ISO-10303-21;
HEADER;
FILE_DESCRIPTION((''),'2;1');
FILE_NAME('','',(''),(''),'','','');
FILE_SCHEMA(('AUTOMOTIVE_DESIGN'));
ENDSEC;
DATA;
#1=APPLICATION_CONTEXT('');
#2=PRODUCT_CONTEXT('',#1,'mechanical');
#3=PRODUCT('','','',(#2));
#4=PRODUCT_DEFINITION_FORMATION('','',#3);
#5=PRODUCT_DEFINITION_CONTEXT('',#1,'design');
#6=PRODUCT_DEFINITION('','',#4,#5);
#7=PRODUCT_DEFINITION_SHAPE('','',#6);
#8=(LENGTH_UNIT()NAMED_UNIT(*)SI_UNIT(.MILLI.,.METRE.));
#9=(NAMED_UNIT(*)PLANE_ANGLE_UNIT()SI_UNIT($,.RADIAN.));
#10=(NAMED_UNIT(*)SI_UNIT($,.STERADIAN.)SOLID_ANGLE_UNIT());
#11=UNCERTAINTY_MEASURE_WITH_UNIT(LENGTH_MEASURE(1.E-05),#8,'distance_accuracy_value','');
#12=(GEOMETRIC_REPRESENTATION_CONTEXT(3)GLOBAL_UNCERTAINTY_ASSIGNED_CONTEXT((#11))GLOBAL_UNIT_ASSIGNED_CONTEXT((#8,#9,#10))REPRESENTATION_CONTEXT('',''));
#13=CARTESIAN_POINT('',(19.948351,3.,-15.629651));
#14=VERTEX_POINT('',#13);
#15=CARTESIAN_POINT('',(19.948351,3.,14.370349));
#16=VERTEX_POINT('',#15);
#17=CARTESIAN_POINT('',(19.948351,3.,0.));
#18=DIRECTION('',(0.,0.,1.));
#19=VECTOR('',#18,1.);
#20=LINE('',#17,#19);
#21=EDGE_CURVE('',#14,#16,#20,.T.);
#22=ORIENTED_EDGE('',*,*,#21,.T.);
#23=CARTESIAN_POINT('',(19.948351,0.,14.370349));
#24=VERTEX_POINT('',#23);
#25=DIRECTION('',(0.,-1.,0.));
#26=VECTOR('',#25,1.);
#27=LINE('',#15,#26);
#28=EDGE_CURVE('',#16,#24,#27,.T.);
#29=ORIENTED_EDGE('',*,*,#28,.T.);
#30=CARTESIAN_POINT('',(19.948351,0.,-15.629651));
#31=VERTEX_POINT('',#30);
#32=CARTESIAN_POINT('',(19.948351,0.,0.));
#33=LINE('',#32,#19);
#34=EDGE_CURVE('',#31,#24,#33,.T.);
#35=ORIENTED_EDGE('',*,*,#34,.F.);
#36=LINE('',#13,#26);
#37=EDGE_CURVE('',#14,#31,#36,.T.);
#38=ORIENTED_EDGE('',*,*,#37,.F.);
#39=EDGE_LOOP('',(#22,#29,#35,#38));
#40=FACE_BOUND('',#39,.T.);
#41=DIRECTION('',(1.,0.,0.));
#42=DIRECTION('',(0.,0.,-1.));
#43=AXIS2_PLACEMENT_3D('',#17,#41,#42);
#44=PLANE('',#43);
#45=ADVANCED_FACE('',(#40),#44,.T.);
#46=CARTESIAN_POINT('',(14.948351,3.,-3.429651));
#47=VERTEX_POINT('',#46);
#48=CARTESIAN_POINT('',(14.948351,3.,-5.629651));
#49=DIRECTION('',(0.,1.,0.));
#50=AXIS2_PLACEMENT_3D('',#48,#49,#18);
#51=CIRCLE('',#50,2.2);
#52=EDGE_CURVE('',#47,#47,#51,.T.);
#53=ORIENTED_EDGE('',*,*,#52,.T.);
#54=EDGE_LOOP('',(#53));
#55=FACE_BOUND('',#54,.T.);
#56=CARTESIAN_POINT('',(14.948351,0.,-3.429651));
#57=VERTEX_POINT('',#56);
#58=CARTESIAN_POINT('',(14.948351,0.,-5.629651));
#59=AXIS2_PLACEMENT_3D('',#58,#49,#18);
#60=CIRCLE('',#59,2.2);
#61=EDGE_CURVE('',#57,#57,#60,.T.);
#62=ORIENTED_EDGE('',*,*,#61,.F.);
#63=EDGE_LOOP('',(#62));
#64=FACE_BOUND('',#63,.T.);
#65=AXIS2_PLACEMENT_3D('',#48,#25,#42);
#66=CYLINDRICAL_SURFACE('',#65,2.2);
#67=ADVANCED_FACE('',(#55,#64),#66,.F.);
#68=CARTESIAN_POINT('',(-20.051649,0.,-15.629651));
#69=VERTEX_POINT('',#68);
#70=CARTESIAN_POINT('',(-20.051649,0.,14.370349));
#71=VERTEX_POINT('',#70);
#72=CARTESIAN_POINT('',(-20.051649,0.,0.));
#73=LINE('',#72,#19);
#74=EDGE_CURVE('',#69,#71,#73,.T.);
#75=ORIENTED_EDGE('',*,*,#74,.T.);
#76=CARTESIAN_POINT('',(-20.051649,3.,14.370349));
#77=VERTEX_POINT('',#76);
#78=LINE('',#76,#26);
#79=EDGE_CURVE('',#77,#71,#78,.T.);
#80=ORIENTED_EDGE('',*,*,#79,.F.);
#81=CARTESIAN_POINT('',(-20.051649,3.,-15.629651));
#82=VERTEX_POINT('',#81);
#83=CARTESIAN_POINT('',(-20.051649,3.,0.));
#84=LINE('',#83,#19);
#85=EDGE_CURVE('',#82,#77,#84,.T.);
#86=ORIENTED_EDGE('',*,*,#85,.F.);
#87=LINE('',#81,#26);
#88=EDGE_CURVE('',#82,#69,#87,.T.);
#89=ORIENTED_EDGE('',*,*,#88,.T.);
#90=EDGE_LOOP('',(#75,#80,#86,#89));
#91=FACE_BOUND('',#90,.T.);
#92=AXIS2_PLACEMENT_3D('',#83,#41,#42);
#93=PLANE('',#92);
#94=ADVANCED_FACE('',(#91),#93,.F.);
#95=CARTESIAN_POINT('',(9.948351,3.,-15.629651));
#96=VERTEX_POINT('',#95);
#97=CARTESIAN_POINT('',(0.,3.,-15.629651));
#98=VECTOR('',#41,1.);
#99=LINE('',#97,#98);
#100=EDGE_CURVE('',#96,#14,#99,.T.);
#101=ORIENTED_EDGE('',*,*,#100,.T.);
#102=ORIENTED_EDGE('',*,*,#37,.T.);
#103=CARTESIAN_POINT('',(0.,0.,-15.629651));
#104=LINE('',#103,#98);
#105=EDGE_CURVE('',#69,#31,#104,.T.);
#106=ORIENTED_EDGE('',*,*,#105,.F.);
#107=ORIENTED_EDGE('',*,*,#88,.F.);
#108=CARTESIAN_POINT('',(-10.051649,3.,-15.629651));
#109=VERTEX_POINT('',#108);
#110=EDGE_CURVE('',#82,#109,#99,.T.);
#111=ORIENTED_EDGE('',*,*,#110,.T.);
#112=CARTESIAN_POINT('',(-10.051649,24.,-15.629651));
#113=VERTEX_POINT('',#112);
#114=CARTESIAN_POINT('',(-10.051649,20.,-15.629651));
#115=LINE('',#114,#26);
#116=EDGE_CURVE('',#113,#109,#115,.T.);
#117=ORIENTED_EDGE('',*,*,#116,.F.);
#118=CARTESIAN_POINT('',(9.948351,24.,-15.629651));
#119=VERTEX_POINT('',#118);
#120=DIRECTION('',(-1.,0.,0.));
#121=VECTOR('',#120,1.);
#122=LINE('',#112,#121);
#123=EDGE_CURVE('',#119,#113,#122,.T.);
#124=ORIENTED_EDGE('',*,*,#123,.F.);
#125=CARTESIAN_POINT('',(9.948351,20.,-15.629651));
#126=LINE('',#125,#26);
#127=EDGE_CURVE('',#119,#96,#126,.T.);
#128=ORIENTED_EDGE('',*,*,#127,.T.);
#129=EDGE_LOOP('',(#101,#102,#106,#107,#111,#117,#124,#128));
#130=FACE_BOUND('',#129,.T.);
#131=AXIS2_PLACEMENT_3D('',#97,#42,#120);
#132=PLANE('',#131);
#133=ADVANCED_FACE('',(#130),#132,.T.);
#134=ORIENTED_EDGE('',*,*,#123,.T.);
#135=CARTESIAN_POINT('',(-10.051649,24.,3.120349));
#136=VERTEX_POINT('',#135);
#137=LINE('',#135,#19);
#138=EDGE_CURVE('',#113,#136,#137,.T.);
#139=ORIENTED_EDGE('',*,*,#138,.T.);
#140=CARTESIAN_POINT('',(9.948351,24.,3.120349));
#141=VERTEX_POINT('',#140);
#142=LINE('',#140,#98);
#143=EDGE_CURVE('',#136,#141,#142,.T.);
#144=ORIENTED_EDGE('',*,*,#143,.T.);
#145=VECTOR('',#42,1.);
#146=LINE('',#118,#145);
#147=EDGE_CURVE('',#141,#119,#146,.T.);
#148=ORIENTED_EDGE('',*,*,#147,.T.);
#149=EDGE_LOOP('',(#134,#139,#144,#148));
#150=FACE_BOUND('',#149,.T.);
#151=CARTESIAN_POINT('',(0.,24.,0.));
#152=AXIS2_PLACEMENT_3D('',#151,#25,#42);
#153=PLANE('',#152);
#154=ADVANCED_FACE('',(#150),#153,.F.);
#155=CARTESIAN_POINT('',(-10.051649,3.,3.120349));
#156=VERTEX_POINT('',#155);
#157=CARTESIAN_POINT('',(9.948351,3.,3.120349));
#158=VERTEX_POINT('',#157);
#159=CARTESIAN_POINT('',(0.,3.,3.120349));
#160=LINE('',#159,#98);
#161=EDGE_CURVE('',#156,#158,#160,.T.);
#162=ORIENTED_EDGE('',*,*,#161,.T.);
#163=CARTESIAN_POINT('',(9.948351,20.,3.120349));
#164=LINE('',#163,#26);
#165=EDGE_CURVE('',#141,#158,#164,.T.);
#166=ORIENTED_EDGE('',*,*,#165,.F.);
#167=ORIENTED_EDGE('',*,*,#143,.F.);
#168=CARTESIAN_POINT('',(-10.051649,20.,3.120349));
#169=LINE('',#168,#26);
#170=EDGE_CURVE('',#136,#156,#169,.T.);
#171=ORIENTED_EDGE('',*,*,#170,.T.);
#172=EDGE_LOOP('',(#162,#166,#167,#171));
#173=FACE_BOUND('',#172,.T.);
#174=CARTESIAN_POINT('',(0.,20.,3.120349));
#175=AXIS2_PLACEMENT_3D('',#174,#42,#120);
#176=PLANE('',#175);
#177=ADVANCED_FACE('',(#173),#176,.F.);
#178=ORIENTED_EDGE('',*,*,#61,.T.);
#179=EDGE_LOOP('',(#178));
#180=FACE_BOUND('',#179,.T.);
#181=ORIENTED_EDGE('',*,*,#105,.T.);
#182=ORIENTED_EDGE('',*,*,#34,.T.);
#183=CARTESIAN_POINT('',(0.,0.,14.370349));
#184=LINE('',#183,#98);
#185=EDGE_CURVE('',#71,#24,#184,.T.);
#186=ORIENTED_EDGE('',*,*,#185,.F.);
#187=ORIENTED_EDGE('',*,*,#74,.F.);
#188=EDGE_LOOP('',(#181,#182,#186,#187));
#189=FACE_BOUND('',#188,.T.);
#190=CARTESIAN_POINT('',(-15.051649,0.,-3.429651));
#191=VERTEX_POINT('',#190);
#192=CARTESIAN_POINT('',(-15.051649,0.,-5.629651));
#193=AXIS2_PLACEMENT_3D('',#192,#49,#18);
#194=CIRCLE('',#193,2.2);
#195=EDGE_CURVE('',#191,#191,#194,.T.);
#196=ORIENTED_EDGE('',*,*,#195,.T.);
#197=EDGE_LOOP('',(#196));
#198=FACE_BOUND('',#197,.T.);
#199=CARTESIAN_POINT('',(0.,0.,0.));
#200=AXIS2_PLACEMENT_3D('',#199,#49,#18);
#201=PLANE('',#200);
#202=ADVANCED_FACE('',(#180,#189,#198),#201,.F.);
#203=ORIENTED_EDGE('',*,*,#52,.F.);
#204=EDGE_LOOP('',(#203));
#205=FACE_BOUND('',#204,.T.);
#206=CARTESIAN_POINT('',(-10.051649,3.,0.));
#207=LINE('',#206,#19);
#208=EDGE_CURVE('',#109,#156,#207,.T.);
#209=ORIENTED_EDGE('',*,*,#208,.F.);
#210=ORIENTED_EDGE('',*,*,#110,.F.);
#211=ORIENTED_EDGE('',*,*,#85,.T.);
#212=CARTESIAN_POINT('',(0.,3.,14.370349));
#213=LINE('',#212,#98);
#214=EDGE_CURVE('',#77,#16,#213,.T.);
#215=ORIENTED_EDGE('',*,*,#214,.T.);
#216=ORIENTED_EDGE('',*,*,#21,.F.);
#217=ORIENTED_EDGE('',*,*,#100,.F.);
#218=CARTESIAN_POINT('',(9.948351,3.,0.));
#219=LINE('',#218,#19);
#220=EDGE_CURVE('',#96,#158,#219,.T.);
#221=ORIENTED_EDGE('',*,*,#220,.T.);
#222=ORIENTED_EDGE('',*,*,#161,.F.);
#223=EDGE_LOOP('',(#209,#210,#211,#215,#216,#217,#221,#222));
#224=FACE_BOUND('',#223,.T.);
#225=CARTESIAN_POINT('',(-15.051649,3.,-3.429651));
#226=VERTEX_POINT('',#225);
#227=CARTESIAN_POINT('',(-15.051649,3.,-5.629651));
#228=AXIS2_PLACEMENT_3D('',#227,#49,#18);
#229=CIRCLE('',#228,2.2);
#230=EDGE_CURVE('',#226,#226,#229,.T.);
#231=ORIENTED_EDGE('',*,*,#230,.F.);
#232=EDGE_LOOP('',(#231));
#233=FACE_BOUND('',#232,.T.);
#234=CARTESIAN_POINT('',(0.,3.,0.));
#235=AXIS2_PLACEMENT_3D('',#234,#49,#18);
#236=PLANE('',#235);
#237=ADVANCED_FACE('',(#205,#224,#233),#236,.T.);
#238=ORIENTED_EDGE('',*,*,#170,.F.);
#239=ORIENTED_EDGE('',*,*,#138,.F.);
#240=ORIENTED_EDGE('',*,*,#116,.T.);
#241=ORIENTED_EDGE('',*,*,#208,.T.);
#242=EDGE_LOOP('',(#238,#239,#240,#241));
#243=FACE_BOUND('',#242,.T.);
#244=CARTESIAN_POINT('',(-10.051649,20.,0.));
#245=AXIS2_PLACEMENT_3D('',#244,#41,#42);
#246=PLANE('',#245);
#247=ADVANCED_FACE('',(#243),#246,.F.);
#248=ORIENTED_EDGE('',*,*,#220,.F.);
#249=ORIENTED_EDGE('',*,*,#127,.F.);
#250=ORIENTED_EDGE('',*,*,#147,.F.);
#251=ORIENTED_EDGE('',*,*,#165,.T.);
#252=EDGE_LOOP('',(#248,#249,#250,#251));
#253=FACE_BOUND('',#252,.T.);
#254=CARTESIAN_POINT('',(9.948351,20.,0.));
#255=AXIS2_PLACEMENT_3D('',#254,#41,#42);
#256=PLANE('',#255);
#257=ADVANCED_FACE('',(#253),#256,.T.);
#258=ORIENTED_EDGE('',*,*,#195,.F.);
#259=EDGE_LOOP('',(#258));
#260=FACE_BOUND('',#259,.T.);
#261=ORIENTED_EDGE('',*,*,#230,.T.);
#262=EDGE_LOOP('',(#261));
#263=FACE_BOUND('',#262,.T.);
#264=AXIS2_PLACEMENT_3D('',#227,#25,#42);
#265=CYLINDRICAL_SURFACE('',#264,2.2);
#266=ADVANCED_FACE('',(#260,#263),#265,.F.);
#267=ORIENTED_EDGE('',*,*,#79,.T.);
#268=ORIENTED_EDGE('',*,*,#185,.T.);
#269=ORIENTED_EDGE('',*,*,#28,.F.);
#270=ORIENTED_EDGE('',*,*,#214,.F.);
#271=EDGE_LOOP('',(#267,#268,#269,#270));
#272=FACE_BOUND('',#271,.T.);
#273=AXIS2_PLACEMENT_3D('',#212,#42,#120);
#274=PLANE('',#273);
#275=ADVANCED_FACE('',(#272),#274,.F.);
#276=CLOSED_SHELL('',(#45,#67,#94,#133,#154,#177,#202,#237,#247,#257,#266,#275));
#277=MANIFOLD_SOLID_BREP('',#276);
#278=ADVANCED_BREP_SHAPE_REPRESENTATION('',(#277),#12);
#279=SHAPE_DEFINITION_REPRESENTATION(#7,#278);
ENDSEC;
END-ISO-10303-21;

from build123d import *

# Parameters (mm, degrees)
ESQUISSE3_W        = 10
ESQUISSE3_H        = 15
ESQUISSE3_H_2      = 10
ESQUISSE3_H_3      = 5
BOSS_EXTRU_1_DEPTH = 3
ESQUISSE4_W        = 10
ESQUISSE4_H        = 5
ESQUISSE4_H_2      = 3.75
BOSS_EXTRU_2_DEPTH = 17
ESQUISSE5_W        = 20
ESQUISSE5_H        = 18.75
BOSS_EXTRU_4_DEPTH = 4


with BuildPart() as part:
    # Esquisse3 → Boss.-Extru.1 (new body)
    with BuildSketch(Plane(origin=(0, 0, 0), x_dir=(1, 0, 0), z_dir=(0, 1, 0))):
        with Locations((-15.05164944, -6.870348765)):
            Rectangle(ESQUISSE3_W, ESQUISSE3_H)
        with Locations((14.94835056, -6.870348765)):
            Rectangle(ESQUISSE3_W, ESQUISSE3_H)
        with BuildLine():
            Line((-10.05164944, 5.629651235), (-10.05164944, 15.629651235))
            Line((-10.05164944, 15.629651235), (-20.05164944, 15.629651235))
            Line((-20.05164944, 15.629651235), (-20.05164944, 5.629651235))
            Line((-20.05164944, 5.629651235), (-17.25164944, 5.629651235))
            ThreePointArc((-17.25164944, 5.629651235), (-15.05164944, 7.829651235), (-12.85164944, 5.629651235))
            Line((-12.85164944, 5.629651235), (-10.05164944, 5.629651235))
        make_face()
        with BuildLine():
            Line((-10.05164944, 0.629651235), (-10.05164944, 5.629651235))
            Line((-10.05164944, 5.629651235), (-12.85164944, 5.629651235))
            ThreePointArc((-12.85164944, 5.629651235), (-15.05164944, 3.429651235), (-17.25164944, 5.629651235))
            Line((-17.25164944, 5.629651235), (-20.05164944, 5.629651235))
            Line((-20.05164944, 5.629651235), (-20.05164944, 0.629651235))
            Line((-20.05164944, 0.629651235), (-10.05164944, 0.629651235))
        make_face()
        with Locations((-5.05164944, 10.629651235)):
            Rectangle(ESQUISSE3_W, ESQUISSE3_H_2)
        with Locations((4.94835056, 10.629651235)):
            Rectangle(ESQUISSE3_W, ESQUISSE3_H_2)
        with BuildLine():
            Line((19.94835056, 15.629651235), (9.94835056, 15.629651235))
            Line((9.94835056, 15.629651235), (9.94835056, 5.629651235))
            Line((9.94835056, 5.629651235), (12.74835056, 5.629651235))
            ThreePointArc((12.74835056, 5.629651235), (14.94835056, 7.829651235), (17.14835056, 5.629651235))
            Line((17.14835056, 5.629651235), (19.94835056, 5.629651235))
            Line((19.94835056, 5.629651235), (19.94835056, 15.629651235))
        make_face()
        with BuildLine():
            Line((12.74835056, 5.629651235), (9.94835056, 5.629651235))
            Line((9.94835056, 5.629651235), (9.94835056, 0.629651235))
            Line((9.94835056, 0.629651235), (19.94835056, 0.629651235))
            Line((19.94835056, 0.629651235), (19.94835056, 5.629651235))
            Line((19.94835056, 5.629651235), (17.14835056, 5.629651235))
            ThreePointArc((17.14835056, 5.629651235), (14.94835056, 3.429651235), (12.74835056, 5.629651235))
        make_face()
        with Locations((4.94835056, -6.870348765)):
            Rectangle(ESQUISSE3_W, ESQUISSE3_H)
        with Locations((-5.05164944, -6.870348765)):
            Rectangle(ESQUISSE3_W, ESQUISSE3_H)
        with Locations((4.94835056, 3.129651235)):
            Rectangle(ESQUISSE3_W, ESQUISSE3_H_3)
        with Locations((-5.05164944, 3.129651235)):
            Rectangle(ESQUISSE3_W, ESQUISSE3_H_3)
    extrude(amount=BOSS_EXTRU_1_DEPTH)

    # Esquisse4 → Boss.-Extru.2 (add)
    with BuildSketch(Plane(origin=(0, 3, 0), x_dir=(1, 0, 0), z_dir=(0, 1, 0))):
        with Locations((-5.05164944, 3.129651235)):
            Rectangle(ESQUISSE4_W, ESQUISSE4_H)
        with Locations((-5.05164944, -1.245348765)):
            Rectangle(ESQUISSE4_W, ESQUISSE4_H_2)
        with Locations((4.94835056, -1.245348765)):
            Rectangle(ESQUISSE4_W, ESQUISSE4_H_2)
        with Locations((4.94835056, 3.129651235)):
            Rectangle(ESQUISSE4_W, ESQUISSE4_H)
        Polygon((-0.05164944, 15.629651235), (-0.05164944, 5.629651235), (9.94835056, 5.629651235), (9.94835056, 8.129651235), align=None)
        Polygon((-10.05164944, 8.129651235), (-10.05164944, 5.629651235), (-0.05164944, 5.629651235), (-0.05164944, 15.629651235), align=None)
        Polygon((-10.05164944, 15.629651235), (-10.05164944, 8.129651235), (-0.05164944, 15.629651235), align=None)
        Polygon((9.94835056, 15.629651235), (-0.05164944, 15.629651235), (9.94835056, 8.129651235), align=None)
    extrude(amount=BOSS_EXTRU_2_DEPTH)

    # Esquisse5 → Boss.-Extru.4 (add)
    with BuildSketch(Plane(origin=(0, 20, 0), x_dir=(1, 0, 0), z_dir=(0, 1, 0))):
        with Locations((-0.05164944, 6.254651235)):
            Rectangle(ESQUISSE5_W, ESQUISSE5_H)
    extrude(amount=BOSS_EXTRU_4_DEPTH)


solid = part.part
